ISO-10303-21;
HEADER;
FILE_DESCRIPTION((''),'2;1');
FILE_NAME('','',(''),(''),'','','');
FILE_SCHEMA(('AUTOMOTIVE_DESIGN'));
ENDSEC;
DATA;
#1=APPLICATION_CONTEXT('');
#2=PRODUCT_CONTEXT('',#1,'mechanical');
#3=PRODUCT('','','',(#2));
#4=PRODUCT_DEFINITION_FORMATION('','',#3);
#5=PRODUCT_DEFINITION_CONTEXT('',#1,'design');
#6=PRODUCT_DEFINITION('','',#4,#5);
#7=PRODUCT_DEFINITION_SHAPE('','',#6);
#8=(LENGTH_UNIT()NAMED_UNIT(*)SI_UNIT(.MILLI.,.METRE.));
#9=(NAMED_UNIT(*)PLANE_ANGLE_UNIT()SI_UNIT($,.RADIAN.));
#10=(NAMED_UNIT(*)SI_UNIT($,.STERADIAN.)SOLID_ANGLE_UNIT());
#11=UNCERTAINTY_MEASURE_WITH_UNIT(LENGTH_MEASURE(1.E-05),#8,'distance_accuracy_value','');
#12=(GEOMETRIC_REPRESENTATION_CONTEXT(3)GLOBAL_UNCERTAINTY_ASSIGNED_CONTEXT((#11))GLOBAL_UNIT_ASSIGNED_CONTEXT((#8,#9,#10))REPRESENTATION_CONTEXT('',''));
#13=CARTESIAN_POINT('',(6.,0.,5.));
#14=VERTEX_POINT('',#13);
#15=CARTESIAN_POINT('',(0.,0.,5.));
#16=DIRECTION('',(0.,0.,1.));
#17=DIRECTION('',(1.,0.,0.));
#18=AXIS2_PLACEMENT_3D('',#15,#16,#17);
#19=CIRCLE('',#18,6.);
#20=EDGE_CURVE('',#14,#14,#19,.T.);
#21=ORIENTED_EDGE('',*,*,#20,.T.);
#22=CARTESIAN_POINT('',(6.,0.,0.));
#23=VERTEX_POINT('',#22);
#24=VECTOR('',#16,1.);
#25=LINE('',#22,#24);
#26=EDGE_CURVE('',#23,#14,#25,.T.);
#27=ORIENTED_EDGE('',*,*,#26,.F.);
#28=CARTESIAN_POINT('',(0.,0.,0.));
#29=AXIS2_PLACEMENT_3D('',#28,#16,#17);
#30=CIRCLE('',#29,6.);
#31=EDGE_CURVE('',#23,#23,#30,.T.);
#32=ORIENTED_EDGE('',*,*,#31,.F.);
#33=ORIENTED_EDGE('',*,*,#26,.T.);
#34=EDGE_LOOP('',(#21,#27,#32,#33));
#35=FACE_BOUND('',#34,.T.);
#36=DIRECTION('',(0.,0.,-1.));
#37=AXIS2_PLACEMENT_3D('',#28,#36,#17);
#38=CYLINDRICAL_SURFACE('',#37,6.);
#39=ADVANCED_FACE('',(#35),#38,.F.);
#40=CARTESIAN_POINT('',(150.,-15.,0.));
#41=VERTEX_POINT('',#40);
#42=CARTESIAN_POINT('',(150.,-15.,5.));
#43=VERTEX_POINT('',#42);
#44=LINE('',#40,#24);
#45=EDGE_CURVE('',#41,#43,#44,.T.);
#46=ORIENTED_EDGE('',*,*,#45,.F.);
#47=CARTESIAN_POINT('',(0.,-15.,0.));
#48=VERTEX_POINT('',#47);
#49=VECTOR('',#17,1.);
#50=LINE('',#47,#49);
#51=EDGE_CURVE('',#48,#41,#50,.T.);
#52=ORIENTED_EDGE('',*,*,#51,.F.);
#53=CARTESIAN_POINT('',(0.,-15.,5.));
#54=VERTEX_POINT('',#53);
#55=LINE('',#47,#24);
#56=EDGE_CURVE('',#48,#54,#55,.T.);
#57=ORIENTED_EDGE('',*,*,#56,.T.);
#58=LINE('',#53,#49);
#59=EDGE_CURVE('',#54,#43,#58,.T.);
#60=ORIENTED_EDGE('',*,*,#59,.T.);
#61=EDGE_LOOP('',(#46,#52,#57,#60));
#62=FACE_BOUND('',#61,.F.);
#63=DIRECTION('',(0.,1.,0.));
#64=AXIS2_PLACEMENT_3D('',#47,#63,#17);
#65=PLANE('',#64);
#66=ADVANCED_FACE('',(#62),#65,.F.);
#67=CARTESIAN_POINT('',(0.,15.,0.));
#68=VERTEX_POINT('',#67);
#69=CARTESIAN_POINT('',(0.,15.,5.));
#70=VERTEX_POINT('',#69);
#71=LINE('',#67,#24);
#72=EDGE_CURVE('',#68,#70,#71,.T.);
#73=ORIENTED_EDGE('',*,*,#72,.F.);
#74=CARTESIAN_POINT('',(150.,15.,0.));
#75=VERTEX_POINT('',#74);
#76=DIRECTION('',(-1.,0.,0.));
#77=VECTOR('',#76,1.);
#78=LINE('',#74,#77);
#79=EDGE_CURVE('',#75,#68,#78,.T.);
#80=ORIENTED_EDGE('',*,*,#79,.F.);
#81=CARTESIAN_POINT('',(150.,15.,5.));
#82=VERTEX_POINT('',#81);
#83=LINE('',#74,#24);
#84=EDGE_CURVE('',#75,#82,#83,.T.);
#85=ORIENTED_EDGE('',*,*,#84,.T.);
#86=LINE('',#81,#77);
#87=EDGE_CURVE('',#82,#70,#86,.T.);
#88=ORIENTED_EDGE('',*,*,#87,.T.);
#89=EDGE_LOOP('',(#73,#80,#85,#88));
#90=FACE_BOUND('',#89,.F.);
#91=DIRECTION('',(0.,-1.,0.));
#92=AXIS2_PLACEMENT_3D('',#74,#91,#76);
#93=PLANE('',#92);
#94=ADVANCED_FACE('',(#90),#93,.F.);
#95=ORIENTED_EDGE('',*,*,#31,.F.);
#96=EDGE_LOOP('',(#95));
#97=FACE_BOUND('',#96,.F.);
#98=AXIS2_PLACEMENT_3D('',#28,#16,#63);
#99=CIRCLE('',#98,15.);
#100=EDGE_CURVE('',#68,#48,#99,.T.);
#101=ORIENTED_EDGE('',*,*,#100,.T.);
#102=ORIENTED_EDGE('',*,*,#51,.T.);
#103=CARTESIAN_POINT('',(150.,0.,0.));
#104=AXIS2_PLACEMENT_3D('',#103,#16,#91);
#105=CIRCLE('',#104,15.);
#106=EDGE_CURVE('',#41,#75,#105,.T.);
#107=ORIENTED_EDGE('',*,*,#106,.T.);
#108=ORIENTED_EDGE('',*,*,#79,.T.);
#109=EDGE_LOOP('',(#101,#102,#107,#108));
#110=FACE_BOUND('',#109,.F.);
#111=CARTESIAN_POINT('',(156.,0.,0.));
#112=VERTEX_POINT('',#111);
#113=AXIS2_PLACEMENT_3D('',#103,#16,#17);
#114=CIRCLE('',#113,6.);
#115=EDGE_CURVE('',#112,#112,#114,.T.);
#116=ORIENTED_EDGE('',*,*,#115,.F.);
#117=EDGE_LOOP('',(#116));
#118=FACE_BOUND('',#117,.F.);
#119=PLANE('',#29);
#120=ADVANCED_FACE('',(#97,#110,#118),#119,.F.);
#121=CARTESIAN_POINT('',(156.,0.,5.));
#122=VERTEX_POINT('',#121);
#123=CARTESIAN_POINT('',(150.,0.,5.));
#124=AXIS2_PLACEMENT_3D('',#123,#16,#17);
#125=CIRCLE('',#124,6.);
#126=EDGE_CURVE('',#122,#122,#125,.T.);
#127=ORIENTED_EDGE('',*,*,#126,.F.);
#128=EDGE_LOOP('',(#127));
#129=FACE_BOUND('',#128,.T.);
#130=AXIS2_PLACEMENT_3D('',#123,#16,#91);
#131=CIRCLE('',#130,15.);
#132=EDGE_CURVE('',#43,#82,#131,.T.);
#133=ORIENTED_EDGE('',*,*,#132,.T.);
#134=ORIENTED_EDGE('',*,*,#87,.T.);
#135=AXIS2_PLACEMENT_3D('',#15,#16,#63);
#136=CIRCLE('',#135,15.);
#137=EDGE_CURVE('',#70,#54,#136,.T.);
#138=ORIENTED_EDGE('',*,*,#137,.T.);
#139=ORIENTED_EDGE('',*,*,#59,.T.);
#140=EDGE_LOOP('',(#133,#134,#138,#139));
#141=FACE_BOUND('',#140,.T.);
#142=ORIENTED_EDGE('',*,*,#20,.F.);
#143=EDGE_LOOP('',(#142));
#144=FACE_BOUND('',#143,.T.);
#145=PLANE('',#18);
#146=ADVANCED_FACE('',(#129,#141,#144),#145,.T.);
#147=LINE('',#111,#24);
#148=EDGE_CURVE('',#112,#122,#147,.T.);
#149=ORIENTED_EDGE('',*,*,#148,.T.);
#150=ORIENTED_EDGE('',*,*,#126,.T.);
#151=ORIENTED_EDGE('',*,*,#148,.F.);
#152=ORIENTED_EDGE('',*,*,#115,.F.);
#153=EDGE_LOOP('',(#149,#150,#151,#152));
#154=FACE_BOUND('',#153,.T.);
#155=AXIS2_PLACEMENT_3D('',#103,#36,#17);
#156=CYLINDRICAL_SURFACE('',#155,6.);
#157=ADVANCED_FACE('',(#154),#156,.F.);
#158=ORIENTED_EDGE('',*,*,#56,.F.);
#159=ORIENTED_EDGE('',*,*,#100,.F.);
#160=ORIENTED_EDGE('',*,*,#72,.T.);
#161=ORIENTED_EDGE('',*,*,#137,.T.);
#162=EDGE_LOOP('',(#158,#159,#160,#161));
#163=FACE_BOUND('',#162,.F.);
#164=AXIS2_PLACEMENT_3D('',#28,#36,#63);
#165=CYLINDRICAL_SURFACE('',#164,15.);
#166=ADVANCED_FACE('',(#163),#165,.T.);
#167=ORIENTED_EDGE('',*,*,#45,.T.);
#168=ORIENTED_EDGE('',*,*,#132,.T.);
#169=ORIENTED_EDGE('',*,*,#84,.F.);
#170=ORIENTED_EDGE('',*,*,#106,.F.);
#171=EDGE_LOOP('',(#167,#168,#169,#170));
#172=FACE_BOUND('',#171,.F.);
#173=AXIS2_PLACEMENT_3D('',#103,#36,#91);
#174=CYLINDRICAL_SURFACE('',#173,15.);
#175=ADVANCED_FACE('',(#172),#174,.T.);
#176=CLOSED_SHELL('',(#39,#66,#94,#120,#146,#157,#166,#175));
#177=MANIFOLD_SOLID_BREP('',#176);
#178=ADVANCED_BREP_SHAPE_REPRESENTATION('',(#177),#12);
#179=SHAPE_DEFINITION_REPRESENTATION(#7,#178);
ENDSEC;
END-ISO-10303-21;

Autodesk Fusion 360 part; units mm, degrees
sketch "Sketch1" plane through (0, 0, 0) normal (0, 0, 1) x (1, 0, 0)
  line L0 (0, -15) -> (150, -15)
  arc A0 (150, -15) -> (150, 15) centre (150, 0) ccw
  line L1 (150, 15) -> (0, 15)
  arc A1 (0, 15) -> (0, -15) centre (0, 0) ccw
  line L2 (0, 0) -> (150, 0) construction
  circle A2 centre (0, 0) radius 6
  circle A3 centre (150, 0) radius 6
  dimension "d1" = 150
  dimension "d2" = 30
  dimension "d3" = 12
  dimension "d4" = 12
extrude "Extrude1" add sketch "Sketch1" along normal blind 5
